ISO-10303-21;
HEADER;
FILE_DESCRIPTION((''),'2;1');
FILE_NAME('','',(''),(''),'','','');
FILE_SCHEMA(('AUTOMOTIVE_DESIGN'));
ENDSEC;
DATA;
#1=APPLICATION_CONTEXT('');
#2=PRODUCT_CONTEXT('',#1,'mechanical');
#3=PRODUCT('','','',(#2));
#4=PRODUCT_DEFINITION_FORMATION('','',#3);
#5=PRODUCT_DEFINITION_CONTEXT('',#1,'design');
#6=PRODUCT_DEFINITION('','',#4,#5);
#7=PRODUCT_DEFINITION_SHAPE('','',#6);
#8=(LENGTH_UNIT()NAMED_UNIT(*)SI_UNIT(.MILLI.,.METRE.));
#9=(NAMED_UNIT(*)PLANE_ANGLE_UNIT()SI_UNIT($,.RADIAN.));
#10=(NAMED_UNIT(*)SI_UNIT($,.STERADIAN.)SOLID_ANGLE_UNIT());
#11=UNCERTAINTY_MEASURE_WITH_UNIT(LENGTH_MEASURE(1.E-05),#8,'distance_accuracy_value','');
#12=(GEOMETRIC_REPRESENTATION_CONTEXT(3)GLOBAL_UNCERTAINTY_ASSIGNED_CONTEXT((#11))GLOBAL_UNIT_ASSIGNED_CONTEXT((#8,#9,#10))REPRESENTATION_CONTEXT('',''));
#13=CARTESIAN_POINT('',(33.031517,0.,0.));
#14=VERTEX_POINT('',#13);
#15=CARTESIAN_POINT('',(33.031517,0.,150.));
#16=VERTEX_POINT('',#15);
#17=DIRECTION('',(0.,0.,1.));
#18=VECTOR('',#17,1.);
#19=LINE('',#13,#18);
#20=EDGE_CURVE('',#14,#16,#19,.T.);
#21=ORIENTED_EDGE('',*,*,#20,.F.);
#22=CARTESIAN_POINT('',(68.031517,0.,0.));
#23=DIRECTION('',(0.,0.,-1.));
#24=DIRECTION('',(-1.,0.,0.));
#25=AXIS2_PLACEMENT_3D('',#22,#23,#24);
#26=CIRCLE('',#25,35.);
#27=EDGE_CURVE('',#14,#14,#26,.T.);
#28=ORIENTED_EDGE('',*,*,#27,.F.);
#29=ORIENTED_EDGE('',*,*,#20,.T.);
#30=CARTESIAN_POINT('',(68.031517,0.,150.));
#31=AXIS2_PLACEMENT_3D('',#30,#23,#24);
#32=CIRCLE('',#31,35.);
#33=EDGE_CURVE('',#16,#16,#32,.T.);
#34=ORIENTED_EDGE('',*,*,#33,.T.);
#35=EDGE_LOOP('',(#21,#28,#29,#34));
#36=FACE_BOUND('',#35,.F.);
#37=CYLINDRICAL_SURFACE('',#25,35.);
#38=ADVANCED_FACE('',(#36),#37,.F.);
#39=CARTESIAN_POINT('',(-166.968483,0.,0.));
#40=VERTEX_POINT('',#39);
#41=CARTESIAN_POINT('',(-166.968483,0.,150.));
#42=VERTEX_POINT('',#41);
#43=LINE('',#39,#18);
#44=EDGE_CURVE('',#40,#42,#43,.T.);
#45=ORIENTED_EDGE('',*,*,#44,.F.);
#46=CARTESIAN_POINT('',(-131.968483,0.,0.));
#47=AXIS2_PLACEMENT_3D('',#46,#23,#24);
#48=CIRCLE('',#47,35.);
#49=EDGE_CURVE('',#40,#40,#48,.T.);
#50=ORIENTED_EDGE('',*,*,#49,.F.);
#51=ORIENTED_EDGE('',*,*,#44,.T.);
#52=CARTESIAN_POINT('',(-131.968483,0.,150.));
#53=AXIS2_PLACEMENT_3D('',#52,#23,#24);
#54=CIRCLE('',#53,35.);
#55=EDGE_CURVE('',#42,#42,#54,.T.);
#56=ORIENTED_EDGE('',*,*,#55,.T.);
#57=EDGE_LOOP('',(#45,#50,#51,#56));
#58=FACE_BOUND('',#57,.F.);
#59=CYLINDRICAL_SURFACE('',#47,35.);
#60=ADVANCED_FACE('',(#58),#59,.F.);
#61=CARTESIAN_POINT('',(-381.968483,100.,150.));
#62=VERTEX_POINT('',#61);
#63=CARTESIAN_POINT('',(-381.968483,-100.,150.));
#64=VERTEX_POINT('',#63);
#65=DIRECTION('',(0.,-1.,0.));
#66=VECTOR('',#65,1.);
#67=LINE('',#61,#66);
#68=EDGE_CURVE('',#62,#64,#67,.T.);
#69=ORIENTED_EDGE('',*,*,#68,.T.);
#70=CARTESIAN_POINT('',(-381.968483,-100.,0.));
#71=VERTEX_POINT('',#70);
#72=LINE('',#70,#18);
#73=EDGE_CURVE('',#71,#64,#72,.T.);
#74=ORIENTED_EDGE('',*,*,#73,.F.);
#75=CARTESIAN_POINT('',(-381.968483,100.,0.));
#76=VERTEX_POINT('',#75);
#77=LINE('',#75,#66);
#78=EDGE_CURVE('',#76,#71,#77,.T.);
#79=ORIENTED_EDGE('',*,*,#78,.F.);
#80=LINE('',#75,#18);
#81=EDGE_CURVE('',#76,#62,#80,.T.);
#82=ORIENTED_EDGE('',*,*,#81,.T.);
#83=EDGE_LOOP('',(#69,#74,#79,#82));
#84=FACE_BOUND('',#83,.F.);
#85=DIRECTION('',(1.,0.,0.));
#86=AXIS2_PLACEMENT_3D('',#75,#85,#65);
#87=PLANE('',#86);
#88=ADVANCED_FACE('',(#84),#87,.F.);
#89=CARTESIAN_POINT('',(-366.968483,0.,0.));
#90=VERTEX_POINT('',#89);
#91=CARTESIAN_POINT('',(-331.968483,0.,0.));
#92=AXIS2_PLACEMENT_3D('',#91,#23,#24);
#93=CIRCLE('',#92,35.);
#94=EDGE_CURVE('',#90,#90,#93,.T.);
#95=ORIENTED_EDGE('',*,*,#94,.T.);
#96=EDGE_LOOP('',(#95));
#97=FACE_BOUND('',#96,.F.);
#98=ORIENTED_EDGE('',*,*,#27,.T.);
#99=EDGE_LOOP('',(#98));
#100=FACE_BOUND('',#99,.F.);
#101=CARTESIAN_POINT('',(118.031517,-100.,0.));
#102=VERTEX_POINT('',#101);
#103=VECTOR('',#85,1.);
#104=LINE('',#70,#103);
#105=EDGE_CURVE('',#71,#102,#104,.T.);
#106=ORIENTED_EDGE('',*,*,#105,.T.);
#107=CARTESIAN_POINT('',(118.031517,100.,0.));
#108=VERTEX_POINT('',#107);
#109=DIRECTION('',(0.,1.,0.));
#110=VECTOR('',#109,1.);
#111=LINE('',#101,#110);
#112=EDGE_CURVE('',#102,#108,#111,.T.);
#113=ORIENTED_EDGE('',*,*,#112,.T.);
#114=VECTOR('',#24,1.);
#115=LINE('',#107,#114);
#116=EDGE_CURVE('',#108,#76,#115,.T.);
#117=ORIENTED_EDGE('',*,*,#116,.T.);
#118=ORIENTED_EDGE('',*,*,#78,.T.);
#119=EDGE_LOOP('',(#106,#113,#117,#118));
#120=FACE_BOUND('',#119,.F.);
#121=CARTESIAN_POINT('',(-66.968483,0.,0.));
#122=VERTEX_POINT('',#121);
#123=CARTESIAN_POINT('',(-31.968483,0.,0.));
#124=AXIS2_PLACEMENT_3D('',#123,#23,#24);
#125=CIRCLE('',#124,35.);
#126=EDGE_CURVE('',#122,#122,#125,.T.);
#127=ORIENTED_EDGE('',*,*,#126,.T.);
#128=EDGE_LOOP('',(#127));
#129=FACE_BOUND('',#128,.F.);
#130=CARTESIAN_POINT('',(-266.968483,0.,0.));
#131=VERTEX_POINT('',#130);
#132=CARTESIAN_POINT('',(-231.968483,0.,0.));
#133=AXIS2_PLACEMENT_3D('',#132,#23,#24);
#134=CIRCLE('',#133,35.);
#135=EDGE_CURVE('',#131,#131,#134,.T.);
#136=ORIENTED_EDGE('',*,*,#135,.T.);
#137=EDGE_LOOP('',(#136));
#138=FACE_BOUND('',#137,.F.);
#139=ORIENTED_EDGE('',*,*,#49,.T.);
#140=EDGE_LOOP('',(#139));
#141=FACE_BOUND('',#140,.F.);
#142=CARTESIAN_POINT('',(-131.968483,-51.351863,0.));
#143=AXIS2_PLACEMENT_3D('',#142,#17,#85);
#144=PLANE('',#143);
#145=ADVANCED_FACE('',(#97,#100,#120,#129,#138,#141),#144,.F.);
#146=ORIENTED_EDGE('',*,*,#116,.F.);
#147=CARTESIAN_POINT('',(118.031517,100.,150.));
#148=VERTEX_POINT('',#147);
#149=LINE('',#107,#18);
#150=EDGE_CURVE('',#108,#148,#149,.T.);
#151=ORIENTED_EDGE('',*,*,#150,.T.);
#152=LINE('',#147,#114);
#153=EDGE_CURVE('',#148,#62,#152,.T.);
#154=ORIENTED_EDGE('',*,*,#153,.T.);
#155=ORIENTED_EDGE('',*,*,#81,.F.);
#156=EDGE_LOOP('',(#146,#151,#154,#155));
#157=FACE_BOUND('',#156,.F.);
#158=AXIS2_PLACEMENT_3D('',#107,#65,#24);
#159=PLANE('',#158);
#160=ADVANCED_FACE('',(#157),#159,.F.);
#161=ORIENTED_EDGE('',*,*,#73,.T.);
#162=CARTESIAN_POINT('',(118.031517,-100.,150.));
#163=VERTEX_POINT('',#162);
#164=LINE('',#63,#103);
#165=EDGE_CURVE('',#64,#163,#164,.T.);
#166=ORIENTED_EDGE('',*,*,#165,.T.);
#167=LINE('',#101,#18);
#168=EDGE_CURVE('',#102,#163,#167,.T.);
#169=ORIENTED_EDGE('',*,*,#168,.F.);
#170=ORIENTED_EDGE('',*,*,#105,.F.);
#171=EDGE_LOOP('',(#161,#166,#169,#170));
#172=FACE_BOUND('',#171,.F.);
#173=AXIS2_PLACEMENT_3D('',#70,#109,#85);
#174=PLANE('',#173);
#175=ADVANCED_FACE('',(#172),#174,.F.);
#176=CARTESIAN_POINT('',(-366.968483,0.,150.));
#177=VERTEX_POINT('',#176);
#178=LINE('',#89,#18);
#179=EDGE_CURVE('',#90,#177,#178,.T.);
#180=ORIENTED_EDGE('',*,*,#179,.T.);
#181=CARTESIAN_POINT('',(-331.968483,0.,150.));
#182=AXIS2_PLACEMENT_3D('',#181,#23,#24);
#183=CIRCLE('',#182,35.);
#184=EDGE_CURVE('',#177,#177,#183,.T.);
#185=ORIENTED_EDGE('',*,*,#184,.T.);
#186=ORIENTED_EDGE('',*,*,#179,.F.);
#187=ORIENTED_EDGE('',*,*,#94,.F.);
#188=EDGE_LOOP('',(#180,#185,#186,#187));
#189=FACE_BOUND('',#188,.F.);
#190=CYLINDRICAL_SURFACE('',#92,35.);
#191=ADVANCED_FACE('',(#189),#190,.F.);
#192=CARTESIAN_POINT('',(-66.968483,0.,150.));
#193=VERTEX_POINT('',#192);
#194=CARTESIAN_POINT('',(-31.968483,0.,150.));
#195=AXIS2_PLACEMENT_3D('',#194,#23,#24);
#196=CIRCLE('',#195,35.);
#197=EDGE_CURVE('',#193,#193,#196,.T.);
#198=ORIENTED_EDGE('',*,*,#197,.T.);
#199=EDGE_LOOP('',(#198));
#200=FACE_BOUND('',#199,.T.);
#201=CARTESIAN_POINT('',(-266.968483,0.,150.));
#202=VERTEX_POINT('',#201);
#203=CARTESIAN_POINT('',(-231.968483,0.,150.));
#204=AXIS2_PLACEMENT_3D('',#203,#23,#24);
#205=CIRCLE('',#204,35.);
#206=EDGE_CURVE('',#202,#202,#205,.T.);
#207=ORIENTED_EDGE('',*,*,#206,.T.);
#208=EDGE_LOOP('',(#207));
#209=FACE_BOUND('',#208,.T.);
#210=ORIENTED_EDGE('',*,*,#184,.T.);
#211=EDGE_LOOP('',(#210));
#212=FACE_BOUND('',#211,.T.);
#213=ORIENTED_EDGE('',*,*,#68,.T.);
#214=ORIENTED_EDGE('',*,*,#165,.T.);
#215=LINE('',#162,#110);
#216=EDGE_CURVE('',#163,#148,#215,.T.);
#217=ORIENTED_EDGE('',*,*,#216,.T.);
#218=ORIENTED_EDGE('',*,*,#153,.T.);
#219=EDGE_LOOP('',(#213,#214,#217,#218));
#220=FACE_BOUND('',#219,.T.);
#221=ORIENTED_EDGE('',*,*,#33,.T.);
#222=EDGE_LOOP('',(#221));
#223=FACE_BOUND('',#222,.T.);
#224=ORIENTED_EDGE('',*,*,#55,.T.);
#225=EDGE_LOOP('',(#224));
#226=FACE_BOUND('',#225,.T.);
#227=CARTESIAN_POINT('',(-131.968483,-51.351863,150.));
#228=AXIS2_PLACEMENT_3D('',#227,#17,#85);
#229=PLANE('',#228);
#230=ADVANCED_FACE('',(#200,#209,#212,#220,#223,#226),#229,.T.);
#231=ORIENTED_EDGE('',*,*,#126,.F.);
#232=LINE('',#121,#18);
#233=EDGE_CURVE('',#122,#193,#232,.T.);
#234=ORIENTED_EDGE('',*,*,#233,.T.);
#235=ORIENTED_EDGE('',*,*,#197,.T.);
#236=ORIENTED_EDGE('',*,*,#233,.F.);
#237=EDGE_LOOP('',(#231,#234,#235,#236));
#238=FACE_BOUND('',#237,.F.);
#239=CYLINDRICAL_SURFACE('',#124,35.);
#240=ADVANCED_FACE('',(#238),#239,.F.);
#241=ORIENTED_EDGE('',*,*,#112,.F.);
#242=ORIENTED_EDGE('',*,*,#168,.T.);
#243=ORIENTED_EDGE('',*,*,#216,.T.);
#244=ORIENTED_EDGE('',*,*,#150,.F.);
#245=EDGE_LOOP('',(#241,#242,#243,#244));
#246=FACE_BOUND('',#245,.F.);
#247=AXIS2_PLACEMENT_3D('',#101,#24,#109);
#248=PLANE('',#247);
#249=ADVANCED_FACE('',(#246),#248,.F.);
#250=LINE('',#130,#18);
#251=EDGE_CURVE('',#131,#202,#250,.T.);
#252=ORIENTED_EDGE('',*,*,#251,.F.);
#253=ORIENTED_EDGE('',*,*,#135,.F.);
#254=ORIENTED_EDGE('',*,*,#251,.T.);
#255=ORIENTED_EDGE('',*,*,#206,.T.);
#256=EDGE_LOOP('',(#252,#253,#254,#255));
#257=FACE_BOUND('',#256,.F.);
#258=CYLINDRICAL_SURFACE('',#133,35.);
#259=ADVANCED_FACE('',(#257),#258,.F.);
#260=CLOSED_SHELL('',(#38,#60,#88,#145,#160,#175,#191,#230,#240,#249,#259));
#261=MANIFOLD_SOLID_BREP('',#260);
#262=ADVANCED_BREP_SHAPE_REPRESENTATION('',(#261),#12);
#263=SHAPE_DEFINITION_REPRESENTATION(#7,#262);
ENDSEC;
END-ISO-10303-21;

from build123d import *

# Parameters (mm, degrees)
F1_DEPTH = 150


with BuildPart() as f1:
    # F0 (on Top) → F1 (new body)
    with BuildSketch(Plane.XY):
        with BuildLine():
            Line((-381.968483, 0), (-381.968483, -100))
            Line((-381.968483, -100), (118.031517, -100))
            Line((118.031517, -100), (118.031517, 0))
            Line((118.031517, 0), (103.031517, 0))
            ThreePointArc((103.031517, 0), (68.031517, -35), (33.031517, 0))
            Line((33.031517, 0), (3.031517, 0))
            ThreePointArc((3.031517, 0), (-31.968483, -35), (-66.968483, 0))
            Line((-66.968483, 0), (-96.968483, 0))
            ThreePointArc((-96.968483, 0), (-131.968483, -35), (-166.968483, 0))
            Line((-166.968483, 0), (-196.968483, 0))
            ThreePointArc((-196.968483, 0), (-231.968483, -35), (-266.968483, 0))
            Line((-266.968483, 0), (-296.968483, 0))
            ThreePointArc((-296.968483, 0), (-331.968483, -35), (-366.968483, 0))
            Line((-366.968483, 0), (-381.968483, 0))
        make_face()
        with BuildLine():
            Line((-381.968483, 100), (-381.968483, 0))
            Line((-381.968483, 0), (-366.968483, 0))
            ThreePointArc((-366.968483, 0), (-331.968483, 35), (-296.968483, 0))
            Line((-296.968483, 0), (-266.968483, 0))
            ThreePointArc((-266.968483, 0), (-231.968483, 35), (-196.968483, 0))
            Line((-196.968483, 0), (-166.968483, 0))
            ThreePointArc((-166.968483, 0), (-131.968483, 35), (-96.968483, 0))
            Line((-96.968483, 0), (-66.968483, 0))
            ThreePointArc((-66.968483, 0), (-31.968483, 35), (3.031517, 0))
            Line((3.031517, 0), (33.031517, 0))
            ThreePointArc((33.031517, 0), (68.031517, 35), (103.031517, 0))
            Line((103.031517, 0), (118.031517, 0))
            Line((118.031517, 0), (118.031517, 100))
            Line((118.031517, 100), (-381.968483, 100))
        make_face()
    extrude(amount=F1_DEPTH)


solid = f1.part
